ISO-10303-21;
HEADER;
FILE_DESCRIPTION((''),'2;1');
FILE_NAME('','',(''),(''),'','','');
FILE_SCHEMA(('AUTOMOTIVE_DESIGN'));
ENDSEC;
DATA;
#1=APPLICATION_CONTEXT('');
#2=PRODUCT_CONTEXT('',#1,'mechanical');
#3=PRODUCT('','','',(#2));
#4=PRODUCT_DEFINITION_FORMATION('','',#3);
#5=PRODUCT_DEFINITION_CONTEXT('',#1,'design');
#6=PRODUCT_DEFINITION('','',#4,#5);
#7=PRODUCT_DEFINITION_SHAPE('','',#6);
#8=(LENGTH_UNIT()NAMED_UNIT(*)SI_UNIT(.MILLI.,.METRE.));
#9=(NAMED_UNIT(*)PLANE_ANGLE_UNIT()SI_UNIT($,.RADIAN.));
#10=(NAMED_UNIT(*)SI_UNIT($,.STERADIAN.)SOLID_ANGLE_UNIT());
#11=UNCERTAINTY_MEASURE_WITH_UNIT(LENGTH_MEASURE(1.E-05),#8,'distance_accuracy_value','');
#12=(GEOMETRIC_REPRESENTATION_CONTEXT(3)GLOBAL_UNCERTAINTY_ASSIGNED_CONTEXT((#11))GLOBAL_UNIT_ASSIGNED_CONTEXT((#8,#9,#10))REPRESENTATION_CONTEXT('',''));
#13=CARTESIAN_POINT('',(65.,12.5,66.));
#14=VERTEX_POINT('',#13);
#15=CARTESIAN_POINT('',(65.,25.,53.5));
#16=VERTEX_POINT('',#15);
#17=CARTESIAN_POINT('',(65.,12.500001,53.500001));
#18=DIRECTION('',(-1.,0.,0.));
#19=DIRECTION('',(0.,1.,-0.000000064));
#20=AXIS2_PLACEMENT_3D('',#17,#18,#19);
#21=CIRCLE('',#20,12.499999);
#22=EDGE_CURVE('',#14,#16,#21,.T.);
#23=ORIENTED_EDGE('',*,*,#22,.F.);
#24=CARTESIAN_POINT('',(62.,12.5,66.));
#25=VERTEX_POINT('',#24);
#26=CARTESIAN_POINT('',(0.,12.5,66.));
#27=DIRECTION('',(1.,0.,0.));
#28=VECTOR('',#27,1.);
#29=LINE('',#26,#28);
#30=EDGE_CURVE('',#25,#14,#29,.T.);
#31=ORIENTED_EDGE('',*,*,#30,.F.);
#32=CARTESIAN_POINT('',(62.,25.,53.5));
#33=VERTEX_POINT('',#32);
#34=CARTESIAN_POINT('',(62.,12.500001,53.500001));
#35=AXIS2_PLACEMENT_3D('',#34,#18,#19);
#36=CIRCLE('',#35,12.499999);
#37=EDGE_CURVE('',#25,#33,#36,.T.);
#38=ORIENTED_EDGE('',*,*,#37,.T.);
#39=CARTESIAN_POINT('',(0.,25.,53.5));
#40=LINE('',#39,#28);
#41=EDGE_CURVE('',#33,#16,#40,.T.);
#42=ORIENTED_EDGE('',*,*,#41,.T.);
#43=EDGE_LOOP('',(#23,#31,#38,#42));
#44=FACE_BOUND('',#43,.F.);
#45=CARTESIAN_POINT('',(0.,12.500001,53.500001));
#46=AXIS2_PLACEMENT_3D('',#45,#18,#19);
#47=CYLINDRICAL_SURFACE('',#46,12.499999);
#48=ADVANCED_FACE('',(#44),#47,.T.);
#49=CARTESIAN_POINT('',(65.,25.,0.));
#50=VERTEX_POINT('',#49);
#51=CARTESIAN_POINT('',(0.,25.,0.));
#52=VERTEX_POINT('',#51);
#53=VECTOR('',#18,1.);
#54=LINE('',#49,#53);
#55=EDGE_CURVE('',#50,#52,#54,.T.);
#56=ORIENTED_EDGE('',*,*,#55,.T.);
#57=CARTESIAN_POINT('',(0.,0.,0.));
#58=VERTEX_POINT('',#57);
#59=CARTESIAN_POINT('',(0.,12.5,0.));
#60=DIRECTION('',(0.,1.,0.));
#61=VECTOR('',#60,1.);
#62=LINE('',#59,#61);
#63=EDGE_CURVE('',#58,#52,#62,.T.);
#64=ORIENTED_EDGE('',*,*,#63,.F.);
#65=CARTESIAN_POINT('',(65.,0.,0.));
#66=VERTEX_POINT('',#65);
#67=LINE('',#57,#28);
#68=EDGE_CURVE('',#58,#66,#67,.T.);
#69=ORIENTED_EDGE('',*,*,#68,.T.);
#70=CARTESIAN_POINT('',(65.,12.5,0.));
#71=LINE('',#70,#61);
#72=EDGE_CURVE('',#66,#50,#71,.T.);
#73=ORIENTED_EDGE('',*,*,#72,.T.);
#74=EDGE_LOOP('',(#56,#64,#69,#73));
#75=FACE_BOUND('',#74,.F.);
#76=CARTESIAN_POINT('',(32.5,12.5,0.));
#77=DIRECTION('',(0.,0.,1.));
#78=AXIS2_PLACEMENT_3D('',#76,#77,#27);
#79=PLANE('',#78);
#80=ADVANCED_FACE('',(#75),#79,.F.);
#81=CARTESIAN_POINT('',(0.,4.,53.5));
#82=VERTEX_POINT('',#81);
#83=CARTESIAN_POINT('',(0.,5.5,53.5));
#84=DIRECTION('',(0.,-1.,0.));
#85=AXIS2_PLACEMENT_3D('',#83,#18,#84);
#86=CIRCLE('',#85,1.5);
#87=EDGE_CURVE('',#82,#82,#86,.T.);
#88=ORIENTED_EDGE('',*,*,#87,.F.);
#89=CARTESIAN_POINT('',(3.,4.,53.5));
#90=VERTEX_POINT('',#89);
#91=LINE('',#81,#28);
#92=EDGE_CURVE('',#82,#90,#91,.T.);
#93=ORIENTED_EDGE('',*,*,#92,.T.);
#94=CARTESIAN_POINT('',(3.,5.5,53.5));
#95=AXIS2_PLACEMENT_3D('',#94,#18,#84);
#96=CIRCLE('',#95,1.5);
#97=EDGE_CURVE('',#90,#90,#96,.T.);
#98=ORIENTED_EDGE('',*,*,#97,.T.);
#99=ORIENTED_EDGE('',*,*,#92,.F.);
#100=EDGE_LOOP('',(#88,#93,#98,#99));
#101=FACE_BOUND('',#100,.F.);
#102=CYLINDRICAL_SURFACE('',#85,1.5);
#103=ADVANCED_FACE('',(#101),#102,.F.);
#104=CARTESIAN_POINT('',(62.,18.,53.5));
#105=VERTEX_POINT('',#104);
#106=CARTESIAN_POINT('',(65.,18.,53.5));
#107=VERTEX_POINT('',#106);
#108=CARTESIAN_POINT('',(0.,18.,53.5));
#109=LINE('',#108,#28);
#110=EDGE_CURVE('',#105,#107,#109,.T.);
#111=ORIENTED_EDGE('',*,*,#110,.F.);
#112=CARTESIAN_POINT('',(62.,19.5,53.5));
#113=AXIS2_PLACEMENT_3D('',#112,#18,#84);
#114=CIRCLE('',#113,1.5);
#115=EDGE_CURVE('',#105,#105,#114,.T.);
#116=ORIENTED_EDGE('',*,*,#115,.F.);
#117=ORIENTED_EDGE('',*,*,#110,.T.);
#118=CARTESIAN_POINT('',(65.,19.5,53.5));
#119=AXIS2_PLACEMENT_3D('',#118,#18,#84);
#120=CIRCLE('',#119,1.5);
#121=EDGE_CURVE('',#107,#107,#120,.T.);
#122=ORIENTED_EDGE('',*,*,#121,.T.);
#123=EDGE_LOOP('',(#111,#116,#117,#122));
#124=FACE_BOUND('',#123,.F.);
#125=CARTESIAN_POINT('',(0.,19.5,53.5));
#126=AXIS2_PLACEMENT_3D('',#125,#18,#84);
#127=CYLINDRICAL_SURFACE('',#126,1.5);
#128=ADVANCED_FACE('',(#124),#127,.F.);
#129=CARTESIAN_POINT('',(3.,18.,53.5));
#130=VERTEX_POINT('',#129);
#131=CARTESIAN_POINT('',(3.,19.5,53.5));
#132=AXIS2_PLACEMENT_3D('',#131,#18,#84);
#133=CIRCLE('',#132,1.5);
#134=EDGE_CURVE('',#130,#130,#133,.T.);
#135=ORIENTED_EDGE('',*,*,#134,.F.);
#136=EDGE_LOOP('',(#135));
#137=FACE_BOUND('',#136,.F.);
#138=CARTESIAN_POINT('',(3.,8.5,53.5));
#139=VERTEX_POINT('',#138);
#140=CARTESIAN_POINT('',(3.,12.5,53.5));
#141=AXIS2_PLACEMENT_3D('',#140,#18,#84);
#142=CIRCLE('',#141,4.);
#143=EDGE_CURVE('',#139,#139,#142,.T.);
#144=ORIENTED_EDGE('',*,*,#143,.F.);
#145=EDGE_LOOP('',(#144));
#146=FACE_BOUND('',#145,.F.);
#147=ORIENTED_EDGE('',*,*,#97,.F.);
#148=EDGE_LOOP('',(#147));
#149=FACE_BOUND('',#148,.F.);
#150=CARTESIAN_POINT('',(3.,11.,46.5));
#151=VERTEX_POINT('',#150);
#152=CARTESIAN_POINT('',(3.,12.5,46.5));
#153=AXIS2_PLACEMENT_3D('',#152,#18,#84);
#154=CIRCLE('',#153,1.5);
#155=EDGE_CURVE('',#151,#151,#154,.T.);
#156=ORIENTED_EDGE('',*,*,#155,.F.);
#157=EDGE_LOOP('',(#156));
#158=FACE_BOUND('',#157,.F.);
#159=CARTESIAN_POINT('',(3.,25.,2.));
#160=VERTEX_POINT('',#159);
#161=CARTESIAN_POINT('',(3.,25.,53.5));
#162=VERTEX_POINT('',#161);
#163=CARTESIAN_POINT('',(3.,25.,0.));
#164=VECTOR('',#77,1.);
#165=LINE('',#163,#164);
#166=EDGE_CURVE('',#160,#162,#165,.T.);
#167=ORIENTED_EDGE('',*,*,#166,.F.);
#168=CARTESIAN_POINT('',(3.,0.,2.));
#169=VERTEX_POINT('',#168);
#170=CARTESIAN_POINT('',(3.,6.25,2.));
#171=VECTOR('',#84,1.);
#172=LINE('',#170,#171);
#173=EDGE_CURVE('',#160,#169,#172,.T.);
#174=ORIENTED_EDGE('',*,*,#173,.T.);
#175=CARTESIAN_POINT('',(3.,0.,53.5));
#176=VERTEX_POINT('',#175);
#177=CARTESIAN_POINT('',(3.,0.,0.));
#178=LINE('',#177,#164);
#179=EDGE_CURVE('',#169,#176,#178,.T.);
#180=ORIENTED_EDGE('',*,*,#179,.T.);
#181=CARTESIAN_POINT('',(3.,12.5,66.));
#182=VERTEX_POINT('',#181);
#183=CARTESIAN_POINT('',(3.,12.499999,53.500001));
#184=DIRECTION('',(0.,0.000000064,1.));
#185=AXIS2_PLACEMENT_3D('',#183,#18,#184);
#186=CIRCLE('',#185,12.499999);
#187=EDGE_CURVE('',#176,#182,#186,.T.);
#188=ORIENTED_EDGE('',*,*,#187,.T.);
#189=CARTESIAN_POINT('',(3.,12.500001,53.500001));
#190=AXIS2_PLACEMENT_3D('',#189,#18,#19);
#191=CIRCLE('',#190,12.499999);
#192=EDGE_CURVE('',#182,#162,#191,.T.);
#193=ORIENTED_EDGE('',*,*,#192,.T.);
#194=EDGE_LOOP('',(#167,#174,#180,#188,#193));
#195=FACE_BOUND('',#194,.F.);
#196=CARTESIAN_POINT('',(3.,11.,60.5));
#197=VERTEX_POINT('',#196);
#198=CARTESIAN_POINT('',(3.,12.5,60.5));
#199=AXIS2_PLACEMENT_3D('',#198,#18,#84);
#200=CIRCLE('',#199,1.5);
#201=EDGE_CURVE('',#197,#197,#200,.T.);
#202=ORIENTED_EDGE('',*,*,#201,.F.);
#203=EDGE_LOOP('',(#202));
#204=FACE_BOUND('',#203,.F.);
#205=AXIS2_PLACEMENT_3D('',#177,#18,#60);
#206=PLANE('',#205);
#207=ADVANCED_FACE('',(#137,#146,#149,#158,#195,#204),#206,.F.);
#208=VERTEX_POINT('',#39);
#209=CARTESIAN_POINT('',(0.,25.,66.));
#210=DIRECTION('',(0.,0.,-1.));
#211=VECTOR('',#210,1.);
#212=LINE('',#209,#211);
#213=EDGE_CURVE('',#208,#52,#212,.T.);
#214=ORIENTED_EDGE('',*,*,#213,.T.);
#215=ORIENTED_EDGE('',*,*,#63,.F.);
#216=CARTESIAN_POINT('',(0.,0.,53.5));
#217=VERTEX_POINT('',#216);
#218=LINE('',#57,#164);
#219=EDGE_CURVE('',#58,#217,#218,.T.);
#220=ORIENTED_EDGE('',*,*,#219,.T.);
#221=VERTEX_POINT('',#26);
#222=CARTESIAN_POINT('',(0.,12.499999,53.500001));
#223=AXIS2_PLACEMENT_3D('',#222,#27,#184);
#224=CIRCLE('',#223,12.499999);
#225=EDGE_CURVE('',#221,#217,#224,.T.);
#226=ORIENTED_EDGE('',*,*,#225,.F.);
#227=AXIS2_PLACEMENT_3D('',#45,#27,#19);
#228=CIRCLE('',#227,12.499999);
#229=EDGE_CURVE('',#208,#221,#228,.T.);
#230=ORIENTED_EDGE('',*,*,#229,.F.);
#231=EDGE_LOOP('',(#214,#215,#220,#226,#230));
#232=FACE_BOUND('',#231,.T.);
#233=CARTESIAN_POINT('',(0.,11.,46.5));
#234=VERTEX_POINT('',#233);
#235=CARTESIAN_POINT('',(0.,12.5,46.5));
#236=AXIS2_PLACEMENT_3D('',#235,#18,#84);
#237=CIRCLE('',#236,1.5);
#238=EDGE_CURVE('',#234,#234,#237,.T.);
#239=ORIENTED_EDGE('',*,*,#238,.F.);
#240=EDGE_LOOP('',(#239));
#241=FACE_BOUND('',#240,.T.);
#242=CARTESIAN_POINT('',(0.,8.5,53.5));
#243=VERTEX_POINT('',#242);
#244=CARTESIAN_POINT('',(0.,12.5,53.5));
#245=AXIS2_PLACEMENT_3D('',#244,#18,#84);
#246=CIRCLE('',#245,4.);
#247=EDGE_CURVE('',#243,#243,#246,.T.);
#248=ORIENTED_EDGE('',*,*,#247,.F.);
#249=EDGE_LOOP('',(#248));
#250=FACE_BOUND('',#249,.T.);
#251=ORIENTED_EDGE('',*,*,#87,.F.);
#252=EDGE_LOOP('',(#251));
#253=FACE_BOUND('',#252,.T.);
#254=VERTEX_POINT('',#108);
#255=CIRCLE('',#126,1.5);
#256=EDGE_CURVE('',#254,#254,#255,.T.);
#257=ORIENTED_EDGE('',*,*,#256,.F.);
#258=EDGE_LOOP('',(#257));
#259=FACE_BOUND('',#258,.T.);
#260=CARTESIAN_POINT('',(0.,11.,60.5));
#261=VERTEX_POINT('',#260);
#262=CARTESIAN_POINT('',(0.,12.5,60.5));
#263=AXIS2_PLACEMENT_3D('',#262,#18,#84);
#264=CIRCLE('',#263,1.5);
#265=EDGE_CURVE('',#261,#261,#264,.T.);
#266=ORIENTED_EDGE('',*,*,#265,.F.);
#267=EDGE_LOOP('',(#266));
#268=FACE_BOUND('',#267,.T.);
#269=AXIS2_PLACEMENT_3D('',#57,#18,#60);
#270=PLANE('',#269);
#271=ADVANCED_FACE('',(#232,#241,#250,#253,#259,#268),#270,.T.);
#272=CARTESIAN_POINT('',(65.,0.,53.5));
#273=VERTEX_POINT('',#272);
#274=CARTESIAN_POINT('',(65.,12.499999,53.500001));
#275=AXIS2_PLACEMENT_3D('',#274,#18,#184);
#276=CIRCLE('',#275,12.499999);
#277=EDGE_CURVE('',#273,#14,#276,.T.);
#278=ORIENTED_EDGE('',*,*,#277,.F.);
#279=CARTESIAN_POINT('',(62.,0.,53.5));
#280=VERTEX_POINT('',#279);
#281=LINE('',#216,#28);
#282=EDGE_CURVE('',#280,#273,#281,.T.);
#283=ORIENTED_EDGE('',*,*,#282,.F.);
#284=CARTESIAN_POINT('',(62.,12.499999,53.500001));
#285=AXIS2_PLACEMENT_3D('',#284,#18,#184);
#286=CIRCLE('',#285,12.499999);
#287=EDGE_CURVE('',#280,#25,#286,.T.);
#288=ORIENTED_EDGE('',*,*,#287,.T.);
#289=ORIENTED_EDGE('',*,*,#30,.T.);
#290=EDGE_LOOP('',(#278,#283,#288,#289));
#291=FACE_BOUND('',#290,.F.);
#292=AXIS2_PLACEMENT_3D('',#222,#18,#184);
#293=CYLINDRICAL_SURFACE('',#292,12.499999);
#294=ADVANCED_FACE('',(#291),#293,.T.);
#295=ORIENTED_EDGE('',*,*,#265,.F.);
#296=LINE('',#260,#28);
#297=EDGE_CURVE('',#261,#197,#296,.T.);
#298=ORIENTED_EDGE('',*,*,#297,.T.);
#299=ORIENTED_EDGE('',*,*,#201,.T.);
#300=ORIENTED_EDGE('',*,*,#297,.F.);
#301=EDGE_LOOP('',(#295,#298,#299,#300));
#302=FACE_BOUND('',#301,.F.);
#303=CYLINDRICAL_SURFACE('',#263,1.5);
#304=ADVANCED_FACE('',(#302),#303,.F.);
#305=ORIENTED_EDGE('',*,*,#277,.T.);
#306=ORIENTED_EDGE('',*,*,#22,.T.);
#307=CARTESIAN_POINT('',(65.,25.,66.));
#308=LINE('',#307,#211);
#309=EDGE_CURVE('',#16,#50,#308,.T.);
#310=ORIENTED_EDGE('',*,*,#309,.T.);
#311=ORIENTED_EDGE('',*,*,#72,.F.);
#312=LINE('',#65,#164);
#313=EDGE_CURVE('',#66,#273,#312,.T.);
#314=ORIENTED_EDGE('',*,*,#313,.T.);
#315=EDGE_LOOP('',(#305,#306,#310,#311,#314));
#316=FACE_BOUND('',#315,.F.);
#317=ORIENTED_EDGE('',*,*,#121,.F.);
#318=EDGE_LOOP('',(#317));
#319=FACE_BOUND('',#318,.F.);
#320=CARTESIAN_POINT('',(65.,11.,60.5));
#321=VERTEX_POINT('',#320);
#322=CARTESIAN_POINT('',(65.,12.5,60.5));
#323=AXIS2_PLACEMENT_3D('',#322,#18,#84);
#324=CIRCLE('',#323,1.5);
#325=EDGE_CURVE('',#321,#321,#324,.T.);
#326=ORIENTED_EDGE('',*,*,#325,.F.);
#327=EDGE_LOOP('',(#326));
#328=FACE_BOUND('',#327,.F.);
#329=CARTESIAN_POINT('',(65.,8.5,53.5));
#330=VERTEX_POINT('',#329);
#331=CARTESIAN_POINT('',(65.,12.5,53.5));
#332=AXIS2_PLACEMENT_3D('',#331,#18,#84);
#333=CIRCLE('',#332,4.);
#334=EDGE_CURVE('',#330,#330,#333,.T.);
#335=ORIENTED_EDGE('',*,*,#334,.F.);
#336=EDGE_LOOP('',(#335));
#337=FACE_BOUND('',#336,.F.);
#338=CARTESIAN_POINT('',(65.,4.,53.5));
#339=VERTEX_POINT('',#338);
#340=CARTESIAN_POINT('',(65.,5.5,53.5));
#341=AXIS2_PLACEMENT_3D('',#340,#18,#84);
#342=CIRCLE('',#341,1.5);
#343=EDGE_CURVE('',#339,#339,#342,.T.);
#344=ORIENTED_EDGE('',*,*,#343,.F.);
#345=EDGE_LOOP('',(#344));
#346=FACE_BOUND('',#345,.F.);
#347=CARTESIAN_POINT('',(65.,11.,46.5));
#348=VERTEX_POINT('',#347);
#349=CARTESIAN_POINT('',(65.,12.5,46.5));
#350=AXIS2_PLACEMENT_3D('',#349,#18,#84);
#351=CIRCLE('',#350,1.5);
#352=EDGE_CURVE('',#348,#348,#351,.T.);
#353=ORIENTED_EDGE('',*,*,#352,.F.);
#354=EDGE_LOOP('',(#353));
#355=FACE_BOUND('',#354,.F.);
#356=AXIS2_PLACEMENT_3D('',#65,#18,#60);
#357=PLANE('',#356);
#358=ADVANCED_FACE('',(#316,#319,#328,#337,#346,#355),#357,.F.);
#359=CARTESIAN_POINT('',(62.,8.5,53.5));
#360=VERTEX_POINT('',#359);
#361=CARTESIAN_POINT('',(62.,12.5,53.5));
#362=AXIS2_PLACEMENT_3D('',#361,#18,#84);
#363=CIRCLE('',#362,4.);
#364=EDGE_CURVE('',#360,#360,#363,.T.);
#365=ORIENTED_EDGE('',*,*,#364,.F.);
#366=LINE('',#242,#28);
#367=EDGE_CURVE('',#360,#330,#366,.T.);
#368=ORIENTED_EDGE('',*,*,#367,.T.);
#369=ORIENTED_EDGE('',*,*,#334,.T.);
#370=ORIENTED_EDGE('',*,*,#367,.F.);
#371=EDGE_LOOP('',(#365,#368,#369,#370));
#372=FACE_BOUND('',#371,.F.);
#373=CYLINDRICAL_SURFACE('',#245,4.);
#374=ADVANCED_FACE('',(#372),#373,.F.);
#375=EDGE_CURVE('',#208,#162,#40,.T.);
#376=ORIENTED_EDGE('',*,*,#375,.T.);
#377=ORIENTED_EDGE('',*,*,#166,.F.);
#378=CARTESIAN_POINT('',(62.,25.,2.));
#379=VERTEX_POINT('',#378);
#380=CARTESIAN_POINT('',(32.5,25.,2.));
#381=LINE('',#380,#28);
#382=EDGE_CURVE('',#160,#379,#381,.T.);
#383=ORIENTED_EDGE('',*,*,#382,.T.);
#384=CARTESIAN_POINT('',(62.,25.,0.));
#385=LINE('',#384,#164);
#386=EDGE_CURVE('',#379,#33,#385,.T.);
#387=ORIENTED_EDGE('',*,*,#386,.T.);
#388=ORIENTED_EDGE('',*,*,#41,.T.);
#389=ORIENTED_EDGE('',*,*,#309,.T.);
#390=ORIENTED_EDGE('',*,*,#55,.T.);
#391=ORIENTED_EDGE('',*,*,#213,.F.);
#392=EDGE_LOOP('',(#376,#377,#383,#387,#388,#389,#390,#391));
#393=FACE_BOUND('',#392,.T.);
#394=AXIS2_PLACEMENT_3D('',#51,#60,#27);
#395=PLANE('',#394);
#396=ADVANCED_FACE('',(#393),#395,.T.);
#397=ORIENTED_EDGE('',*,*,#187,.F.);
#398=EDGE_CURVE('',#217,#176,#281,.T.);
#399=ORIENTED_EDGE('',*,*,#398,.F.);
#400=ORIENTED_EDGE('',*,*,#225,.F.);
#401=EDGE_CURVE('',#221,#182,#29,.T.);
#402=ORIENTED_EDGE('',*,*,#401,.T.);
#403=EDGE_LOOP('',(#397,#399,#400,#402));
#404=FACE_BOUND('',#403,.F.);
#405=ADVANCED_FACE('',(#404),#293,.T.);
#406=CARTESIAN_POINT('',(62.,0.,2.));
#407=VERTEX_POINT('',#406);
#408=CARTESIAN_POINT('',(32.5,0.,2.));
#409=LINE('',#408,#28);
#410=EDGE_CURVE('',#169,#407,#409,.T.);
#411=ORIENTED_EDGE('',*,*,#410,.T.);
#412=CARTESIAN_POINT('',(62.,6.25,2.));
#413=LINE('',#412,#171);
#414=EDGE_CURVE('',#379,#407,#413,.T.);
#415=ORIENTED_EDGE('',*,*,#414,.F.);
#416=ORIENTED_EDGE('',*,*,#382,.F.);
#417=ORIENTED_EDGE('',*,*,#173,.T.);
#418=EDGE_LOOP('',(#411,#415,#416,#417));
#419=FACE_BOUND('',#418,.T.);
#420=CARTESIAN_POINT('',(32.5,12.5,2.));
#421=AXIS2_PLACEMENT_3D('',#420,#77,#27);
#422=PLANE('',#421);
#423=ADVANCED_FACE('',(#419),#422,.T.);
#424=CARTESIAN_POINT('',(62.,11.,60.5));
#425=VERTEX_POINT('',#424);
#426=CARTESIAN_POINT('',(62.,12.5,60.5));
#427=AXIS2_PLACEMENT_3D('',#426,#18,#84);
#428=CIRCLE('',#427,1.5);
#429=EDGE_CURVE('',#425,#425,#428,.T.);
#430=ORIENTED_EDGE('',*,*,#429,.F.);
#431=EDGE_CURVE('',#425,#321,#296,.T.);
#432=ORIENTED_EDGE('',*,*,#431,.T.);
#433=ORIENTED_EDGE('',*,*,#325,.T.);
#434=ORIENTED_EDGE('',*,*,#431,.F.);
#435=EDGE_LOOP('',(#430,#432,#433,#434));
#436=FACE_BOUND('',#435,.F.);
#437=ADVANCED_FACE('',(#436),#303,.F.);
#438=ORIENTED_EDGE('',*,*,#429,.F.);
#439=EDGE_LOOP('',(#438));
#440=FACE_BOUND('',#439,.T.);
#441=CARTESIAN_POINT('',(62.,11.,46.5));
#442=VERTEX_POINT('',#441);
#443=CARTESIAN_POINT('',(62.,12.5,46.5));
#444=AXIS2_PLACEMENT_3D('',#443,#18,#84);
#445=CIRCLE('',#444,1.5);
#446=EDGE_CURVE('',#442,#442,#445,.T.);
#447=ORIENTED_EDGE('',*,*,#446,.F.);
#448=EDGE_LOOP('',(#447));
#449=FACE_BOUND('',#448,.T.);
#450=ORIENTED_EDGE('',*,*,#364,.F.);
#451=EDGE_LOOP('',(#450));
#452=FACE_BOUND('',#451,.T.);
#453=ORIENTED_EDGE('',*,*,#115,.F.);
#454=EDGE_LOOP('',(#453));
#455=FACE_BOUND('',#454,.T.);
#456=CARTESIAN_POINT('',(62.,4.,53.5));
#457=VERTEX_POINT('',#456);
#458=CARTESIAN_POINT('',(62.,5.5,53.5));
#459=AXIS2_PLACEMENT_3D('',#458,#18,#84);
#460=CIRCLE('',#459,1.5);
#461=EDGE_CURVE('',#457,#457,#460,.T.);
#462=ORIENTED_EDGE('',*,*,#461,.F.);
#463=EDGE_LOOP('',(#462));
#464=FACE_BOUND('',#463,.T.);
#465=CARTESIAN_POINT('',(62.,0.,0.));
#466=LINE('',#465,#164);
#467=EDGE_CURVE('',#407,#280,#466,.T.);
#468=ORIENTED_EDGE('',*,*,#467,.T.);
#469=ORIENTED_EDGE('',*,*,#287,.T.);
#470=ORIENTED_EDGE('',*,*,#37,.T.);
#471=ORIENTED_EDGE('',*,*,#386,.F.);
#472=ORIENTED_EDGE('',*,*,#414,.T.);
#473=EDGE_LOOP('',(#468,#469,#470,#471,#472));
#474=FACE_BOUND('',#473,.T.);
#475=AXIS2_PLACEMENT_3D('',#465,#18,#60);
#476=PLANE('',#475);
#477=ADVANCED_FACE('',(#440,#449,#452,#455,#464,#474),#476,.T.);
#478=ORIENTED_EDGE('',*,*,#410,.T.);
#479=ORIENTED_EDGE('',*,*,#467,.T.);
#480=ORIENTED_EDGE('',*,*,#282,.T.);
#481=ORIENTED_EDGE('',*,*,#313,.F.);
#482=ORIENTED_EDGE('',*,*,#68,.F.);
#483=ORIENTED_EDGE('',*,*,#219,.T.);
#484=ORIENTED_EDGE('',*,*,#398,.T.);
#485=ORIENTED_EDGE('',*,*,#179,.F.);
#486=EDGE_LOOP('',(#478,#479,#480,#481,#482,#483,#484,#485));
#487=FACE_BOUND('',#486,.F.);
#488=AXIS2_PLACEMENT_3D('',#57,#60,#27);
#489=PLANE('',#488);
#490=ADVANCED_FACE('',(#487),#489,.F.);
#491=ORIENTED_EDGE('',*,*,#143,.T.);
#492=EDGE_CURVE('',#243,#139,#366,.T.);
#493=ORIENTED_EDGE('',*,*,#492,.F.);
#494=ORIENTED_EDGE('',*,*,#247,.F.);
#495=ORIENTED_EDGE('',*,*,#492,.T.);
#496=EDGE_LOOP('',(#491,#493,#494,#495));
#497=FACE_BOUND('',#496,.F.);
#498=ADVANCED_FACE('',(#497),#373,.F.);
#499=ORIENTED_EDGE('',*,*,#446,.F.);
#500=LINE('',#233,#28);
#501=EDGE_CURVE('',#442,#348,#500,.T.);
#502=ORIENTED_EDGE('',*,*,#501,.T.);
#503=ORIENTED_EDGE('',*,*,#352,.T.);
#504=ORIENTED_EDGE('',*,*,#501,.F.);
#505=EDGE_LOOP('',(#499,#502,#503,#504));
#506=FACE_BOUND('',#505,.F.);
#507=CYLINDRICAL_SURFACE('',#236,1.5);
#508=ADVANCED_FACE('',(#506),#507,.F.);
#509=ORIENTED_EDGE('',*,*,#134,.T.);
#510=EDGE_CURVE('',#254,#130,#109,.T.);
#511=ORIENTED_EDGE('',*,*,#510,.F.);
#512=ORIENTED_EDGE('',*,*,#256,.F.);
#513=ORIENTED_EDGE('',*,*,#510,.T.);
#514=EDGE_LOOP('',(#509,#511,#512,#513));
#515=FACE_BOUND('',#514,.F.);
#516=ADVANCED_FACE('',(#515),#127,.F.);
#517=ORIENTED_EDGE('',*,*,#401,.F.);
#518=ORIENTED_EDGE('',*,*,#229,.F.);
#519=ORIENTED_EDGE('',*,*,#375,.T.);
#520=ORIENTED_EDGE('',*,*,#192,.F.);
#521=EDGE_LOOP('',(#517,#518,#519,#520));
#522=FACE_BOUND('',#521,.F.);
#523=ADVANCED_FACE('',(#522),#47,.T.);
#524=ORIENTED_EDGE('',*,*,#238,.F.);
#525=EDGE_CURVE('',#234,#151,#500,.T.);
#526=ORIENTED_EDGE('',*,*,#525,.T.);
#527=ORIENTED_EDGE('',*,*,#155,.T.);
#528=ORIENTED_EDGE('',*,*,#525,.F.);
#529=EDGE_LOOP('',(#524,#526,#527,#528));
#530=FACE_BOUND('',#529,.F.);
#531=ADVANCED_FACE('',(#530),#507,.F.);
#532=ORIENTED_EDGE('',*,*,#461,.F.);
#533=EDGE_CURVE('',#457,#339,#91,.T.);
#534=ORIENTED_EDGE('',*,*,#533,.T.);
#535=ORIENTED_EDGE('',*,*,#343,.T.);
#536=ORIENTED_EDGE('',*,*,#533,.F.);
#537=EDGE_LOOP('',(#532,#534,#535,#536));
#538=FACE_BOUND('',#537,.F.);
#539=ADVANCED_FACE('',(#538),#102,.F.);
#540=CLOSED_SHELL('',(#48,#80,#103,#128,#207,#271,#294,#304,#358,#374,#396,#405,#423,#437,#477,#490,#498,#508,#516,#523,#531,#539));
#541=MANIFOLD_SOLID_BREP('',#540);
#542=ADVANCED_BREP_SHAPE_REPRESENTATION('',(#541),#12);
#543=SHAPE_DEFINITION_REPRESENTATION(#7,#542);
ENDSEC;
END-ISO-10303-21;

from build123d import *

# Parameters (mm, degrees)
F0_W     = 65
F0_H     = 25
F1_DEPTH = 2
F2_W     = 3
F2_H     = 25
F3_DEPTH = 66
F4_R     = 4
F4_R_2   = 1.5
F5_DEPTH = 65.001


with BuildPart() as f1:
    # F0 (on Top) → F1 (new body)
    with BuildSketch(Plane.XY):
        with Locations((32.5, 12.5)):
            Rectangle(F0_W, F0_H)
    extrude(amount=F1_DEPTH)

    # F2 (on Top) → F3 (join)
    with BuildSketch(Plane.XY):
        with Locations((1.5, 12.5)):
            Rectangle(F2_W, F2_H)
        with Locations((63.5, 12.5)):
            Rectangle(F2_W, F2_H)
    extrude(amount=F3_DEPTH)

    # F4 (on face) → F5 (cut, through all)
    with BuildSketch(Plane(origin=(0, 0, 0), x_dir=(0, -1, 0), z_dir=(-1, 0, 0))):
        with BuildLine():
            ThreePointArc((-25, 53.5), (-21.338835, 62.338835), (-12.5, 66))
            Line((-12.5, 66), (-25, 66))
            Line((-25, 66), (-25, 53.5))
        make_face()
        with BuildLine():
            ThreePointArc((-12.5, 66), (-3.661165, 62.338835), (0, 53.5))
            Line((0, 53.5), (0, 66))
            Line((0, 66), (-12.5, 66))
        make_face()
        with Locations((-12.5, 53.5)):
            Circle(F4_R)
        with Locations((-12.5, 60.5)):
            Circle(F4_R_2)
        with Locations((-19.5, 53.5)):
            Circle(F4_R_2)
        with Locations((-12.5, 46.5)):
            Circle(F4_R_2)
        with Locations((-5.5, 53.5)):
            Circle(F4_R_2)
    extrude(amount=-F5_DEPTH, mode=Mode.SUBTRACT)


solid = f1.part
